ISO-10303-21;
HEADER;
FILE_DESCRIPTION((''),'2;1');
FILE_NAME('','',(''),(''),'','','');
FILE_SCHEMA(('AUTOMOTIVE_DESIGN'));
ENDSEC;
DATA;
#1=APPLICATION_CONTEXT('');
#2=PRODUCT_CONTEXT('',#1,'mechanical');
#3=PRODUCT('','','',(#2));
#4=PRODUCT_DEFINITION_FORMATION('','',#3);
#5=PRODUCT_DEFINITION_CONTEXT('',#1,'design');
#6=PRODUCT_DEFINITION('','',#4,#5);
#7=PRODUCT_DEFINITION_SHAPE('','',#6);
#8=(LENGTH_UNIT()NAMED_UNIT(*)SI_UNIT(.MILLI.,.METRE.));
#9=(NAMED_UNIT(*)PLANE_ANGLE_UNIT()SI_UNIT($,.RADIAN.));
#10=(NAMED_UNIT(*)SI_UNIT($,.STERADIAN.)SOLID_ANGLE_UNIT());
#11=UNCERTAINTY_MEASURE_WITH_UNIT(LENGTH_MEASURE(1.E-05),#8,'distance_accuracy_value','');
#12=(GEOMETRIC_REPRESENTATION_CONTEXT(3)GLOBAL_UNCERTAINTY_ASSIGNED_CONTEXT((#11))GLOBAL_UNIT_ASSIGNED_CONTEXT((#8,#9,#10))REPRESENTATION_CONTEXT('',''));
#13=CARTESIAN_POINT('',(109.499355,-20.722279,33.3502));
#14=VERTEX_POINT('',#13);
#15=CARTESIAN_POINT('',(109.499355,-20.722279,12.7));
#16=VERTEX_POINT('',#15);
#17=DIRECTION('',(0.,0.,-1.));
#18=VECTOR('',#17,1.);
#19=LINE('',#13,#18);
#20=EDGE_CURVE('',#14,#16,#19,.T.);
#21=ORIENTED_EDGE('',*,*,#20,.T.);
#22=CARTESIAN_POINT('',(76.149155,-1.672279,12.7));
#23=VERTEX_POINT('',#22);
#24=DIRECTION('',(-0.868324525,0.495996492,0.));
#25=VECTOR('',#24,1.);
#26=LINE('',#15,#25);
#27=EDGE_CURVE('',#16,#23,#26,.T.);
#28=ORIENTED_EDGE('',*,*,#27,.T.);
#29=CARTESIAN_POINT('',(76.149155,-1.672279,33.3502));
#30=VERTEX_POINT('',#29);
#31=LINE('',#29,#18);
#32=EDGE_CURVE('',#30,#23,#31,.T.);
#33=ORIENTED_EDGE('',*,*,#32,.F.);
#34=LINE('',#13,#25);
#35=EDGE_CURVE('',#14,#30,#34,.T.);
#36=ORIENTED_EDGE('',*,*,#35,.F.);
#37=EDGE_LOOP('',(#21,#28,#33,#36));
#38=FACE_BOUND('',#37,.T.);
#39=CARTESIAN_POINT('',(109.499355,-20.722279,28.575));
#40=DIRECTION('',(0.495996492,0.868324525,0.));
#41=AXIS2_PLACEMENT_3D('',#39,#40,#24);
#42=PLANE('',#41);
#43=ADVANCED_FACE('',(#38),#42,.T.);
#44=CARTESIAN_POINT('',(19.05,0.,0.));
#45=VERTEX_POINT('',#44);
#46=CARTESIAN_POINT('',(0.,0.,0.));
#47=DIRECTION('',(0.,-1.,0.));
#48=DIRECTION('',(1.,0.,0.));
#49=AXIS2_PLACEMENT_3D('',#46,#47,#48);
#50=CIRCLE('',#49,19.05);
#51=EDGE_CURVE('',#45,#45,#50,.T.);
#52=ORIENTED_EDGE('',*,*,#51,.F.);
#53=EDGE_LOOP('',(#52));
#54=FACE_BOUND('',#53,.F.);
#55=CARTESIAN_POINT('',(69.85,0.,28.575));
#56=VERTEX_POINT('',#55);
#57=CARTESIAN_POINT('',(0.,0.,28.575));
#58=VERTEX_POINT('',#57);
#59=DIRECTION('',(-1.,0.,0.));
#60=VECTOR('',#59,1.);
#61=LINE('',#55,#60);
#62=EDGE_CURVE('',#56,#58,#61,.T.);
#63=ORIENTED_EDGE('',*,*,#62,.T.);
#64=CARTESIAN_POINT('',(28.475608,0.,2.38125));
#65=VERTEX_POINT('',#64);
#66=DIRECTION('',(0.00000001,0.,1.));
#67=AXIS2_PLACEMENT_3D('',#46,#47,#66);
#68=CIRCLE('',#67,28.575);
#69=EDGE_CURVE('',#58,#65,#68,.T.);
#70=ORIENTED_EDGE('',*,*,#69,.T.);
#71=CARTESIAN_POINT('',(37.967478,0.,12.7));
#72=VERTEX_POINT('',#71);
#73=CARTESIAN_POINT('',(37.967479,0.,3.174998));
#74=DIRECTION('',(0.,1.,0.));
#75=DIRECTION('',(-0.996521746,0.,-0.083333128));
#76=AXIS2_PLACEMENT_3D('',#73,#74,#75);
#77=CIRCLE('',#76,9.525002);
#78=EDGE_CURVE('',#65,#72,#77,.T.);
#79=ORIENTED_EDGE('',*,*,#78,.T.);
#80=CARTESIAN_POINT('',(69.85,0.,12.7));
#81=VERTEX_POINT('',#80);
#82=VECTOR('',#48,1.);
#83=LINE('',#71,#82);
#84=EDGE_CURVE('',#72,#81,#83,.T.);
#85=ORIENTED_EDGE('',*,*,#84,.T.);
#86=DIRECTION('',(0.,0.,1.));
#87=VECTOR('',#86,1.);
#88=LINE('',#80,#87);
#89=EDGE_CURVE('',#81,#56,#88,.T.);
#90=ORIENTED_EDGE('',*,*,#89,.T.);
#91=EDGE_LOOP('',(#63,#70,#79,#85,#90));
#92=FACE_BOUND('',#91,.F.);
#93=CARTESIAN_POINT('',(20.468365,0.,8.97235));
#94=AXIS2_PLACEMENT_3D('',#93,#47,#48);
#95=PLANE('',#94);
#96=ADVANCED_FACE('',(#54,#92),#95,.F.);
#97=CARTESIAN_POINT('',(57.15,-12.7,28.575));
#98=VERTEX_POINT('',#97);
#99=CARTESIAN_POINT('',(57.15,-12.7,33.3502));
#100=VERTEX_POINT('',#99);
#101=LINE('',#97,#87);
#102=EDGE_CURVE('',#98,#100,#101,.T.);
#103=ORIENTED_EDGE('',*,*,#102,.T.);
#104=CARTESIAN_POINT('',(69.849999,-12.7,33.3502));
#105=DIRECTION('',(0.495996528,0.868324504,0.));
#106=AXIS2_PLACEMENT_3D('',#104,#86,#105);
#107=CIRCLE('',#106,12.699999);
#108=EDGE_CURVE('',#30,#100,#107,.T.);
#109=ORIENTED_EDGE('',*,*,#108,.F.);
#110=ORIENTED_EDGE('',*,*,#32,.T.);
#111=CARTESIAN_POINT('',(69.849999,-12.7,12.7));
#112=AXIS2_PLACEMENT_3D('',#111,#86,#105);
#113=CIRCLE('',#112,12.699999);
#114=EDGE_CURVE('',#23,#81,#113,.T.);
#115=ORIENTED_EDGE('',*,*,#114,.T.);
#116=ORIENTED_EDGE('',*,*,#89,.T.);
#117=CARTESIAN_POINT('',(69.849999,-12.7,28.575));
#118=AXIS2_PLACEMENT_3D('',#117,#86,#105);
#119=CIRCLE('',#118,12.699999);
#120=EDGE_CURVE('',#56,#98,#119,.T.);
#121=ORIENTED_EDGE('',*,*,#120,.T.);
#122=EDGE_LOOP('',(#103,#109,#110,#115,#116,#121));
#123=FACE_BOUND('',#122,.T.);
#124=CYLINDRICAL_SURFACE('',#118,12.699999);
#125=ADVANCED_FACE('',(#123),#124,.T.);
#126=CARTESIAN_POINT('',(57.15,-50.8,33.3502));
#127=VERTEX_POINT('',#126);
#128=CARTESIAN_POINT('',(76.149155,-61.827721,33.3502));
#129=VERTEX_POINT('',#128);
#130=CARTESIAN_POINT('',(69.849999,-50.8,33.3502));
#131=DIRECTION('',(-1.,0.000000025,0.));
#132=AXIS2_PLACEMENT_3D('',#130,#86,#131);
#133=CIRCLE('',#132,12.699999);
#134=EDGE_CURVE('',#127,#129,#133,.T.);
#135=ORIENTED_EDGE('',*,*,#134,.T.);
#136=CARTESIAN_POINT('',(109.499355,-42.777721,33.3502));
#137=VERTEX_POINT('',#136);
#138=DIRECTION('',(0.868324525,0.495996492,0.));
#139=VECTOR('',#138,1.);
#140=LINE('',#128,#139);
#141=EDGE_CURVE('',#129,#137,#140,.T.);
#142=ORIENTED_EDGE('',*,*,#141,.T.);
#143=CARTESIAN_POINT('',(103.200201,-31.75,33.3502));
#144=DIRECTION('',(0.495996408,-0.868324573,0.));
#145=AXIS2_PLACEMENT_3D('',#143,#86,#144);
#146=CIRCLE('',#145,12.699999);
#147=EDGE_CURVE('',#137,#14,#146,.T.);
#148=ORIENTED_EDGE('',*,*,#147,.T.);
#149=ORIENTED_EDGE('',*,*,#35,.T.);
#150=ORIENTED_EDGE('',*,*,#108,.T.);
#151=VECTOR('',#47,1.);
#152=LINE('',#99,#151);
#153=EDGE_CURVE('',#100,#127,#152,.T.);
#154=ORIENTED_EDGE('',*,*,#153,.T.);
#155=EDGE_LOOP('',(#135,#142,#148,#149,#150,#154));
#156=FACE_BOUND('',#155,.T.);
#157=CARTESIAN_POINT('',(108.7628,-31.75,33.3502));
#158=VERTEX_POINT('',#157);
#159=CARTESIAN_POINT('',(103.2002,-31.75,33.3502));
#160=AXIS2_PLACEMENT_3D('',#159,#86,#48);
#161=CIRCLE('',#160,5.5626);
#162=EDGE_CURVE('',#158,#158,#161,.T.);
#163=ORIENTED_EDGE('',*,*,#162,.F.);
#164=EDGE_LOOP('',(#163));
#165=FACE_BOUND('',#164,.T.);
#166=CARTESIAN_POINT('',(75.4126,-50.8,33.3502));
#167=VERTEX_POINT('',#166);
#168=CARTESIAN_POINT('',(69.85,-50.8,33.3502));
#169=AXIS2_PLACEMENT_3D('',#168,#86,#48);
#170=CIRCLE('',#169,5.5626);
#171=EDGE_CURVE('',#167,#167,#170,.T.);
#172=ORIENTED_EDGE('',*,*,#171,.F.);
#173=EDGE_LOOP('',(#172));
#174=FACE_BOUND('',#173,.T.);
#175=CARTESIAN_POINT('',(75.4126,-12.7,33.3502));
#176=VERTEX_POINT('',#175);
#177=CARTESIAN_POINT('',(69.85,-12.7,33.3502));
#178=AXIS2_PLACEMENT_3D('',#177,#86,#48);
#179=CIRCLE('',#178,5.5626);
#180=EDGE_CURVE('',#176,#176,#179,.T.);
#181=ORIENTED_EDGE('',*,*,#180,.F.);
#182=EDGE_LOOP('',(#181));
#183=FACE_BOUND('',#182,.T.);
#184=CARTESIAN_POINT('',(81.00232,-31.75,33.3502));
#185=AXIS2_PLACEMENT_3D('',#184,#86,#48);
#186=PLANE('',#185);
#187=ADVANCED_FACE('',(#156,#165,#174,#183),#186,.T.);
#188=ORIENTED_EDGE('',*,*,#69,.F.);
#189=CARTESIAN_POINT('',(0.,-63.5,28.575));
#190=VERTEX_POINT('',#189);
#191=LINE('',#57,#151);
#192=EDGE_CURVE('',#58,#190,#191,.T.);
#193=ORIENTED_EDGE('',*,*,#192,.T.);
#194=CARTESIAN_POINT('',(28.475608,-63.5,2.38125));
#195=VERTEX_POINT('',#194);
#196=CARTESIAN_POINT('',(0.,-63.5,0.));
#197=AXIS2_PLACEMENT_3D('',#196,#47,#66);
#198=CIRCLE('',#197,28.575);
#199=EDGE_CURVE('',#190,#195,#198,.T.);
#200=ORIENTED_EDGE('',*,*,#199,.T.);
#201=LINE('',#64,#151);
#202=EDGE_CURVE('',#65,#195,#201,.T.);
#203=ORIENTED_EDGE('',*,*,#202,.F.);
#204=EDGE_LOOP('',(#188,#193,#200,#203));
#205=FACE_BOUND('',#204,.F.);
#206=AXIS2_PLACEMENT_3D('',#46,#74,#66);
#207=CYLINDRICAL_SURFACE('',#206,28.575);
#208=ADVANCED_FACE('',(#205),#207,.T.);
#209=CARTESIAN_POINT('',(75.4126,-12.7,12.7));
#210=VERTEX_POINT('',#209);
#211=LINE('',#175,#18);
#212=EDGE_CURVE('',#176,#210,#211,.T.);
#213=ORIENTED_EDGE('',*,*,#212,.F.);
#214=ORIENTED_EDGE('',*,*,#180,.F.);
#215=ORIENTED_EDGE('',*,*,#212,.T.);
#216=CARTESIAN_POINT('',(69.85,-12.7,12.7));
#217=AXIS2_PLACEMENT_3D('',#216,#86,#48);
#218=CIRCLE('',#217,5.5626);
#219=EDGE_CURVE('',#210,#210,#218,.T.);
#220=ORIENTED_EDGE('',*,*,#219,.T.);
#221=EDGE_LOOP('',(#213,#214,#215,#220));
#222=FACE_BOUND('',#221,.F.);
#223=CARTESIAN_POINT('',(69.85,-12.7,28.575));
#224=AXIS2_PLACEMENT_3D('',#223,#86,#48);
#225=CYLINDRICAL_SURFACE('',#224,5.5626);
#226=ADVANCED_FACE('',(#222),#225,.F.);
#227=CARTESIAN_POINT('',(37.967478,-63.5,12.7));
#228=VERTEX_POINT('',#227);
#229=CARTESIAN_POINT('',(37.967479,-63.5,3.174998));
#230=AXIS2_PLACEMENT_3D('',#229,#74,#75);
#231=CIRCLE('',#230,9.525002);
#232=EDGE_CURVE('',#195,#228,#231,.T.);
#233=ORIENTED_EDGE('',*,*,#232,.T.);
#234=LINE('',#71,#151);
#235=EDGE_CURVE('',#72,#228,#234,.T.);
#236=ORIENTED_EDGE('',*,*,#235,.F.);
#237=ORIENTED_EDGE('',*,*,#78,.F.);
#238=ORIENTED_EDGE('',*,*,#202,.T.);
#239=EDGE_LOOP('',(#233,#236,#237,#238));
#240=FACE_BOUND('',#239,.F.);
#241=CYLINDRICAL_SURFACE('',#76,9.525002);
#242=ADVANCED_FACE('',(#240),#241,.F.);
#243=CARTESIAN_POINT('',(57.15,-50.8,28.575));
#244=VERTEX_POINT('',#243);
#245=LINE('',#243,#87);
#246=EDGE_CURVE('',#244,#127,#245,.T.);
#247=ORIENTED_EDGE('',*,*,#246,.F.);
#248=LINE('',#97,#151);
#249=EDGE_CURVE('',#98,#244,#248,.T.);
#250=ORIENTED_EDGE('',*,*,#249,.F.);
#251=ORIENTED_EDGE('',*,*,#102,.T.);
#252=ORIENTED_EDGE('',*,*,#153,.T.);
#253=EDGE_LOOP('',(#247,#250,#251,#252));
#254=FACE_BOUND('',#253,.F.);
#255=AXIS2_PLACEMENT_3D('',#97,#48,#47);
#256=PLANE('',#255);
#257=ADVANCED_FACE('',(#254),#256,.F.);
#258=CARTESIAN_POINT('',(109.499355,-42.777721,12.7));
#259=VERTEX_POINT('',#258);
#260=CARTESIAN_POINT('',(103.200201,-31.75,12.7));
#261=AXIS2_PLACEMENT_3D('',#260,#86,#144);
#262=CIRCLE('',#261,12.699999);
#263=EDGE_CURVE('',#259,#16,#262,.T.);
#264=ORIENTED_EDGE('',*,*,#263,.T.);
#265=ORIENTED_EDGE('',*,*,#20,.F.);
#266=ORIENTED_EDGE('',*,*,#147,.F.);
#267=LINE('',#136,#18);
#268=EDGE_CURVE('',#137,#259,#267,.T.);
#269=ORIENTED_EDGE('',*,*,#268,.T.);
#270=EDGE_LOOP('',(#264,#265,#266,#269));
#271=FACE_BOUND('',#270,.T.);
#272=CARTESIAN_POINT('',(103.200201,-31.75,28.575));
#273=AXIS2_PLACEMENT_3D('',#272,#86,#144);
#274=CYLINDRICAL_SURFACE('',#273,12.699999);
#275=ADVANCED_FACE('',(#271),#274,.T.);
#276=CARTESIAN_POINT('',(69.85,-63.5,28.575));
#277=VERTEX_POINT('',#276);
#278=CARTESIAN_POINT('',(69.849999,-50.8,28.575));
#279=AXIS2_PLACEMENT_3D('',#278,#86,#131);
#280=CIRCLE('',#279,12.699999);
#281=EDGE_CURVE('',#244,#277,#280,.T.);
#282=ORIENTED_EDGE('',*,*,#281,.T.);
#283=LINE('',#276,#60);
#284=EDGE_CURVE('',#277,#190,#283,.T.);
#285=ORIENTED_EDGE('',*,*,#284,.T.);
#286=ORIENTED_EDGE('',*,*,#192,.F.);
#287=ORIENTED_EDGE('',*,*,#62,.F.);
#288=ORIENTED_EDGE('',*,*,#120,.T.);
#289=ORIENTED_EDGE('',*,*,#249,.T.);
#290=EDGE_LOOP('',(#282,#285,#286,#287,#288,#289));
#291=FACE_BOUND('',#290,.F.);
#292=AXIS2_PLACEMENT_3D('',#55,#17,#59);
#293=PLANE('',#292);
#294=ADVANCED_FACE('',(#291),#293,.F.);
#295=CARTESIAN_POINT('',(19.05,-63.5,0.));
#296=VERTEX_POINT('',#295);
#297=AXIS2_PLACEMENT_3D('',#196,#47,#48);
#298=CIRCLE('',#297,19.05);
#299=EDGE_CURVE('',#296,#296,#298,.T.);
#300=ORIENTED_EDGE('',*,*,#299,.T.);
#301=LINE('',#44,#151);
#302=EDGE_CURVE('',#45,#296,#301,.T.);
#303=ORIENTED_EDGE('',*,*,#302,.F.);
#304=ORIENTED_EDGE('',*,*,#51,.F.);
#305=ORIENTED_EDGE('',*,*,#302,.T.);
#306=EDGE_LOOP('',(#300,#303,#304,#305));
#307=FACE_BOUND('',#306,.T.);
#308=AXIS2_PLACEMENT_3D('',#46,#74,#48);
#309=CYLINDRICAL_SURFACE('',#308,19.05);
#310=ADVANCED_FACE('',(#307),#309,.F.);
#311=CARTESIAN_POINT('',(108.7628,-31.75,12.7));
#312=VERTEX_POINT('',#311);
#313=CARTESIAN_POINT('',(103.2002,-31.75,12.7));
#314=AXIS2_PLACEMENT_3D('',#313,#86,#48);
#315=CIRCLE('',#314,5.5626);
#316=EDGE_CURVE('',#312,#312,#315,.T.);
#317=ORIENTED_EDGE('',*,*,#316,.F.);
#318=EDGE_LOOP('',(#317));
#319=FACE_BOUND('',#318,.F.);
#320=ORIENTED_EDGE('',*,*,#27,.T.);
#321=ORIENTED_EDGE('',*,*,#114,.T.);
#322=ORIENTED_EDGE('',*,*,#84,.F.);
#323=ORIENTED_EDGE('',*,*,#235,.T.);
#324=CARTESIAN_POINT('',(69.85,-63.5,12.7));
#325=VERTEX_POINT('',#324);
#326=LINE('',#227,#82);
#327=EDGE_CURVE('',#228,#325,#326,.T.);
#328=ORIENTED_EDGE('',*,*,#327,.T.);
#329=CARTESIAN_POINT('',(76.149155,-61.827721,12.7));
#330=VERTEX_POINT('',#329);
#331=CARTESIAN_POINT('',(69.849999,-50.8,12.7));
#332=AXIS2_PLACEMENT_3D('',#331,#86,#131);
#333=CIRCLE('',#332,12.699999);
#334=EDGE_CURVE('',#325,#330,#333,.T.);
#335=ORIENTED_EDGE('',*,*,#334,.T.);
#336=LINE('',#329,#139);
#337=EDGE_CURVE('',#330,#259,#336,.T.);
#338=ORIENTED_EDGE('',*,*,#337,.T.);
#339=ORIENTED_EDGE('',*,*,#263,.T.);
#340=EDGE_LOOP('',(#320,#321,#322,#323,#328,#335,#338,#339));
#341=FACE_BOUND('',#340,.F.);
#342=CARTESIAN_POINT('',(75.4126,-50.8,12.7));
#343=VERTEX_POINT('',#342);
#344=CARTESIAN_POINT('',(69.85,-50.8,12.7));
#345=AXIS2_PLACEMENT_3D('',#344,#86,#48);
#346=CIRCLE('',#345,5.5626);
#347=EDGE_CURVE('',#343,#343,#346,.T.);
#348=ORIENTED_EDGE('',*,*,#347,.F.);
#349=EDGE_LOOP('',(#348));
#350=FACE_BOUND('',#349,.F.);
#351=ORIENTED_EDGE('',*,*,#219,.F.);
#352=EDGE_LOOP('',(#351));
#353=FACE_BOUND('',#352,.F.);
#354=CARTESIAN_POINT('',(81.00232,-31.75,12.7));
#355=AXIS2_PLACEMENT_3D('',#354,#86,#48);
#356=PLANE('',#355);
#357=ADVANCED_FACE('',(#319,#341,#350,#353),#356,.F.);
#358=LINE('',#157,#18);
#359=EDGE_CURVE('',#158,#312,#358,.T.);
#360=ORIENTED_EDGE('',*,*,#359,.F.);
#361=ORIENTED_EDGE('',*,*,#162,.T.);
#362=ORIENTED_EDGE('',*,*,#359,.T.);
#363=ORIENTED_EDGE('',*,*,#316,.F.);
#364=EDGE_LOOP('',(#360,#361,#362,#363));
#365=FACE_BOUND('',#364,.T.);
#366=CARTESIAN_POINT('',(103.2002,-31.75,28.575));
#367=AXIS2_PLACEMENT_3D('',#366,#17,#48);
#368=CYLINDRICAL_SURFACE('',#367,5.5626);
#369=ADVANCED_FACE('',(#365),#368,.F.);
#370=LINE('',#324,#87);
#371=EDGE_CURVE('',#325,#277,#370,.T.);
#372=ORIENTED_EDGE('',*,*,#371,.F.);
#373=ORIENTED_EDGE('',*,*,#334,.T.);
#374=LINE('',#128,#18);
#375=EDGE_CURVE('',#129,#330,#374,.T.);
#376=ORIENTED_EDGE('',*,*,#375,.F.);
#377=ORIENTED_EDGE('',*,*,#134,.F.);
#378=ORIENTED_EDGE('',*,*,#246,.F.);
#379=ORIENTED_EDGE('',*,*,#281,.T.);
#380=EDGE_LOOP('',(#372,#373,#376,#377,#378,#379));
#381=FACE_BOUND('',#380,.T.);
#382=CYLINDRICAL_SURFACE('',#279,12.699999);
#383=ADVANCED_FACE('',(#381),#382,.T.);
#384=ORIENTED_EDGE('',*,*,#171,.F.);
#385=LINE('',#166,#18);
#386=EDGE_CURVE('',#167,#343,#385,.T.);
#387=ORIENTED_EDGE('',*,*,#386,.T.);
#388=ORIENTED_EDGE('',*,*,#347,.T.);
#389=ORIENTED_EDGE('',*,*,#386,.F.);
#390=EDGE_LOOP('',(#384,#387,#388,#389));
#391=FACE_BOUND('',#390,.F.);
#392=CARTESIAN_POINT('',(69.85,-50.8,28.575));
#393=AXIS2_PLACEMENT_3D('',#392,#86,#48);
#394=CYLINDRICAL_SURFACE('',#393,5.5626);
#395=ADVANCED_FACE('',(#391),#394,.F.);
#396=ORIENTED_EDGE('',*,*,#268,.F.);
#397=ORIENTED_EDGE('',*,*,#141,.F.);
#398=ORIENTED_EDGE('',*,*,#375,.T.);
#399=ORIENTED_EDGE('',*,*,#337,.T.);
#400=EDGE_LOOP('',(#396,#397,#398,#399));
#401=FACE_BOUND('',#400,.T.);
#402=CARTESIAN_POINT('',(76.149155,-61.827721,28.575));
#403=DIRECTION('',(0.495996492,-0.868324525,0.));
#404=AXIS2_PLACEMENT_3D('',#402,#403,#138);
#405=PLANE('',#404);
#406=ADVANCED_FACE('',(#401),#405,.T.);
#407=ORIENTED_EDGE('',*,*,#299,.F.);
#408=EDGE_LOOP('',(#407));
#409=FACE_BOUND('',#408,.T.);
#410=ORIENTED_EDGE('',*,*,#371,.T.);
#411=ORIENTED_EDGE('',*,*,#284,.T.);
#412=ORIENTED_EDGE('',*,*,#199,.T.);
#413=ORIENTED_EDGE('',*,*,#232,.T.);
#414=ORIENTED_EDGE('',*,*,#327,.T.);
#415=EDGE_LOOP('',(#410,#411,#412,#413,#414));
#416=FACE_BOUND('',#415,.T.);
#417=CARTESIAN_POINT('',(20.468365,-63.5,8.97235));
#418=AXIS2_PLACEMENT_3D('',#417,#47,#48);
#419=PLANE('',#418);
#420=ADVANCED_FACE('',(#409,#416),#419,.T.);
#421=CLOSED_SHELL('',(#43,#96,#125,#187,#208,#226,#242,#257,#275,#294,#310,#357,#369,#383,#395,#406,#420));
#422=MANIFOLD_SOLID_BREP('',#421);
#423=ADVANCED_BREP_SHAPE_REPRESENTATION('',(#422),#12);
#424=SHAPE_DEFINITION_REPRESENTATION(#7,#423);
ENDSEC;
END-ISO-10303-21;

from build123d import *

# Parameters (mm, degrees)
F0_R          = 19.05
F1_DEPTH      = 63.5
F2_R          = 5.5626
F3_DEPTH      = 4.7752
F3_DEPTH_BACK = 15.875
F5_DEPTH      = 57.151


with BuildPart() as f1:
    # F0 (on Front) → F1 (new body)
    with BuildSketch(Plane.XZ):
        with BuildLine():
            Line((69.85, 28.575), (0, 28.575))
            ThreePointArc((0, 28.575), (-19.345366, -21.030631), (28.475608, 2.38125))
            ThreePointArc((28.475608, 2.38125), (30.957268, 9.623455), (37.967478, 12.7))
            Line((37.967478, 12.7), (69.85, 12.7))
            Line((69.85, 12.7), (69.85, 28.575))
        make_face()
        Circle(F0_R, mode=Mode.SUBTRACT)
    extrude(amount=F1_DEPTH)

    # F2 (on face) → F3 (join, two sides)
    with BuildSketch(Plane.XY.offset(28.575)) as f3_sk:
        with BuildLine():
            ThreePointArc((76.149155, -1.672279), (63.474628, -1.716165), (57.15, -12.7))
            Line((57.15, -12.7), (57.15, -50.8))
            ThreePointArc((57.15, -50.8), (63.474628, -61.783835), (76.149155, -61.827721))
            Line((76.149155, -61.827721), (109.499355, -42.777721))
            ThreePointArc((109.499355, -42.777721), (115.9002, -31.75), (109.499355, -20.722279))
            Line((109.499355, -20.722279), (76.149155, -1.672279))
        make_face()
        with Locations((69.85, -50.8)):
            Circle(F2_R, mode=Mode.SUBTRACT)
        with Locations((69.85, -12.7)):
            Circle(F2_R, mode=Mode.SUBTRACT)
        with Locations((103.2002, -31.75)):
            Circle(F2_R, mode=Mode.SUBTRACT)
    extrude(amount=F3_DEPTH)
    extrude(f3_sk.sketch, amount=-F3_DEPTH_BACK)

    # F4 (on face) → F5 (cut, through all)
    with BuildSketch(Plane.XY.offset(28.575)):
        with BuildLine():
            Line((69.85, -18.2626), (69.85, -7.1374))
            ThreePointArc((69.85, -7.1374), (64.2874, -12.7), (69.85, -18.2626))
        make_face()
        with BuildLine():
            Line((69.85, -56.3626), (69.85, -45.2374))
            ThreePointArc((69.85, -45.2374), (64.2874, -50.8), (69.85, -56.3626))
        make_face()
    extrude(amount=-F5_DEPTH, mode=Mode.SUBTRACT)


solid = f1.part
